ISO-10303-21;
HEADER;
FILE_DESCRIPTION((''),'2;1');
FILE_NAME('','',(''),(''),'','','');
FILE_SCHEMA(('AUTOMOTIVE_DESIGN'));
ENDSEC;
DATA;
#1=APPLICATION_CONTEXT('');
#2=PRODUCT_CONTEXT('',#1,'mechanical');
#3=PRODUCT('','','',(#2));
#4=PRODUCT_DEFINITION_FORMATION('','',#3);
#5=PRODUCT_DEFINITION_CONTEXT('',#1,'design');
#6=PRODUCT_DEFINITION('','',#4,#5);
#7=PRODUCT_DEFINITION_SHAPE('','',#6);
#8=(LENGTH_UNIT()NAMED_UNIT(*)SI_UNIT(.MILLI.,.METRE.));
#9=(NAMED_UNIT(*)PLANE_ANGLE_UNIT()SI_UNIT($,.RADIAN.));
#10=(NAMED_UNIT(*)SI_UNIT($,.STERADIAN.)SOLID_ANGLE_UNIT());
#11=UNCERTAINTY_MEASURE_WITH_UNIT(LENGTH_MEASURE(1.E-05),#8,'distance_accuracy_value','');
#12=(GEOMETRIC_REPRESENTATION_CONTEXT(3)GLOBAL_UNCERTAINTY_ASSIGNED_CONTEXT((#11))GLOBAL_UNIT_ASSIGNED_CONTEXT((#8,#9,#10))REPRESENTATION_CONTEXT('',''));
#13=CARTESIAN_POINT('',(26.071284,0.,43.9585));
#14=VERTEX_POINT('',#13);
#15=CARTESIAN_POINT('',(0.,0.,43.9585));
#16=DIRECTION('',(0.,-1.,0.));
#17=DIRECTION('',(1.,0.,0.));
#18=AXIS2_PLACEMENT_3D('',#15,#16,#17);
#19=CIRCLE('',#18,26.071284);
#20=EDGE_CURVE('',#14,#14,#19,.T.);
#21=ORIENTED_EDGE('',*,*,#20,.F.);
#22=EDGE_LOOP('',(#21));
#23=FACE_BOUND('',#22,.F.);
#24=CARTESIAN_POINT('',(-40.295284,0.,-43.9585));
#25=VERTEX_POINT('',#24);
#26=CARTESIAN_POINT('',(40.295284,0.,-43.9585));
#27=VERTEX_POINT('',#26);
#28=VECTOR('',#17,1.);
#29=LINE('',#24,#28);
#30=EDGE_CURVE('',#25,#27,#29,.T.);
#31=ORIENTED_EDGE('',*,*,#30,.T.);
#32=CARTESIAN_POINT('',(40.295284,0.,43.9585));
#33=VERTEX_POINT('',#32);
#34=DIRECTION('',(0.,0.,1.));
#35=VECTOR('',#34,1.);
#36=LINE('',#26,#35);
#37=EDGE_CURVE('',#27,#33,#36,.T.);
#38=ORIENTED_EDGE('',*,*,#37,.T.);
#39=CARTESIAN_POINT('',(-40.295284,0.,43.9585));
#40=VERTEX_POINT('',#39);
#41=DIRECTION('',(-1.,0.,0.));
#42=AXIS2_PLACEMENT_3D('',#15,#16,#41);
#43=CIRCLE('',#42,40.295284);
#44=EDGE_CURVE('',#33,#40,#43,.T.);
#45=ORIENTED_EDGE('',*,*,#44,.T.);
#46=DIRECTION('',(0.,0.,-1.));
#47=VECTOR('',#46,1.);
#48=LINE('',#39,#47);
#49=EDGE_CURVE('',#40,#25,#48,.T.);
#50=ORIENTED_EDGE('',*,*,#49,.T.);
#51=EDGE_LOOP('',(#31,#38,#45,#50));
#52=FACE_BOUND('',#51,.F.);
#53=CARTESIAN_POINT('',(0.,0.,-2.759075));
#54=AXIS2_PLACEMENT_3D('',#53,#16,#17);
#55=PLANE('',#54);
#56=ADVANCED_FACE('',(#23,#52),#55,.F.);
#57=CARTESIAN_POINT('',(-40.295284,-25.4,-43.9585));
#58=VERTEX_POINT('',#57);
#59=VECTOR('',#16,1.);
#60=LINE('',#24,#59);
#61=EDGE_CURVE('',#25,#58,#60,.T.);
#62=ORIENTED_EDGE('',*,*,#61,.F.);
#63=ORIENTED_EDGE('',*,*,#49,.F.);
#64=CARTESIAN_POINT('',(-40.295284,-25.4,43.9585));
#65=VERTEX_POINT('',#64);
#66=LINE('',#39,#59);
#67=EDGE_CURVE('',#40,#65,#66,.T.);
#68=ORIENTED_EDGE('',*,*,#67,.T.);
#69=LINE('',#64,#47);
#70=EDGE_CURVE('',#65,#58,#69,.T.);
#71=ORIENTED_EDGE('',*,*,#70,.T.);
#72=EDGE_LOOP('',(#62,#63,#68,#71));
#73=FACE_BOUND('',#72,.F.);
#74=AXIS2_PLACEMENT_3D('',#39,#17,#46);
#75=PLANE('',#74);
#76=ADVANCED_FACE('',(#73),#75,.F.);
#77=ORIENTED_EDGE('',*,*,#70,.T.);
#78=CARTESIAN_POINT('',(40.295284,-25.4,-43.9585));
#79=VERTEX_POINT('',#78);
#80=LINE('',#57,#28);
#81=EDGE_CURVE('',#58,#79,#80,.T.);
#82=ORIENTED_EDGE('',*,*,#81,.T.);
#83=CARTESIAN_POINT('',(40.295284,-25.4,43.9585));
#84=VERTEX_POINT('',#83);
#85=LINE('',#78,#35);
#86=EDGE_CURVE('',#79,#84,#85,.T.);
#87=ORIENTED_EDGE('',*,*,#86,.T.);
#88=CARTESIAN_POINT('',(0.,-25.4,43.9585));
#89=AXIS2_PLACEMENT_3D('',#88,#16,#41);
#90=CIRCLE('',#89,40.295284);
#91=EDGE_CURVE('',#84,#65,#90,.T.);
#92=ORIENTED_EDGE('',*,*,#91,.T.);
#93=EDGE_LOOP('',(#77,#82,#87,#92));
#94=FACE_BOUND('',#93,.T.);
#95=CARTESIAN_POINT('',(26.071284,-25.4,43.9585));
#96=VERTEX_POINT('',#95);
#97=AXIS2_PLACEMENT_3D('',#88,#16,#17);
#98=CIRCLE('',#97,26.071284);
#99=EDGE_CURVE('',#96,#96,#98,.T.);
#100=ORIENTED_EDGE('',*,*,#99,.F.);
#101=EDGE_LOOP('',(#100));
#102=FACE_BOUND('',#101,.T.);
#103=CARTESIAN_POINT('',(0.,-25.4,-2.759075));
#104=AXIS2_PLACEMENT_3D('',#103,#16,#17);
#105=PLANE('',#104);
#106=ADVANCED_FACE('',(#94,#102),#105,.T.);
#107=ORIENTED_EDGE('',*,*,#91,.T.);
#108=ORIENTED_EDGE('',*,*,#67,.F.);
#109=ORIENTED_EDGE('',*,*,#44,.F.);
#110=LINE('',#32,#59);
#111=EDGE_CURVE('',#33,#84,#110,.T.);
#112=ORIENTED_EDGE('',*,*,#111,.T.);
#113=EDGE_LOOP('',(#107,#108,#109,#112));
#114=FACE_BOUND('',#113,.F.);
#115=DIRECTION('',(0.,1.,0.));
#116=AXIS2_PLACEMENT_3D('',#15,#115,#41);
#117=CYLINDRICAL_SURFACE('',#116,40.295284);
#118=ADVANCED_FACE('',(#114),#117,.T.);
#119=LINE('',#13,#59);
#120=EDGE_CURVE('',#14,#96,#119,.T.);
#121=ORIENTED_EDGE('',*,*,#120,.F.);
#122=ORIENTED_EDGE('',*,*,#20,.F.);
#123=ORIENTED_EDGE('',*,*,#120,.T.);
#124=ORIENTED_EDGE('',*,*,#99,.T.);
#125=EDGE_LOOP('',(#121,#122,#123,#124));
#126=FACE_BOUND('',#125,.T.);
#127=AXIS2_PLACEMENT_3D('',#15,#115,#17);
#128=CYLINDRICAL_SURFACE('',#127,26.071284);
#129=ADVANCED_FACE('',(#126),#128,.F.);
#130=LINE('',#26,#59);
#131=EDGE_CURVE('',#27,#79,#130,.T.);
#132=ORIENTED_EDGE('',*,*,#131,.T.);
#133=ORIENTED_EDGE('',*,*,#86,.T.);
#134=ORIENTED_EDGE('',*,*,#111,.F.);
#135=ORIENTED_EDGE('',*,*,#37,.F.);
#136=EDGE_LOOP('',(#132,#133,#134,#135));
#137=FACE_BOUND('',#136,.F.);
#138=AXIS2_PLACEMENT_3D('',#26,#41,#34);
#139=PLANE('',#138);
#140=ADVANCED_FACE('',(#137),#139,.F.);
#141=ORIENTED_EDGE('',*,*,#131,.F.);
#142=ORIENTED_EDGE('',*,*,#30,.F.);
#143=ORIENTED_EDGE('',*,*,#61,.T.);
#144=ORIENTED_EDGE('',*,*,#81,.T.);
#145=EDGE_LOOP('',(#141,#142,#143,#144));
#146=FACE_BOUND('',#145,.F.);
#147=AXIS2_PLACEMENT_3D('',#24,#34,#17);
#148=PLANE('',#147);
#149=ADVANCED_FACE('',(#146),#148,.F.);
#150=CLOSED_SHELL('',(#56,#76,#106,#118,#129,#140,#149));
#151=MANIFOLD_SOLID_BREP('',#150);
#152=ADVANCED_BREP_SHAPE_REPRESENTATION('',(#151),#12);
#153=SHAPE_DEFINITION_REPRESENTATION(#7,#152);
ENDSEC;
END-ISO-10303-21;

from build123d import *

# Parameters (mm, degrees)
F0_R     = 26.071284
F1_DEPTH = 25.4


with BuildPart() as f1:
    # F0 (on Front) → F1 (new body)
    with BuildSketch(Plane.XZ):
        with BuildLine():
            Line((-40.295284, 43.9585), (-40.295284, -43.9585))
            Line((-40.295284, -43.9585), (40.295284, -43.9585))
            Line((40.295284, -43.9585), (40.295284, 43.9585))
            ThreePointArc((40.295284, 43.9585), (0, 3.663216), (-40.295284, 43.9585))
        make_face()
        with BuildLine():
            ThreePointArc((40.295284, 43.9585), (0, 84.253784), (-40.295284, 43.9585))
            ThreePointArc((-40.295284, 43.9585), (0, 3.663216), (40.295284, 43.9585))
        make_face()
        with Locations((0, 43.9585)):
            Circle(F0_R, mode=Mode.SUBTRACT)
    extrude(amount=F1_DEPTH)


solid = f1.part
